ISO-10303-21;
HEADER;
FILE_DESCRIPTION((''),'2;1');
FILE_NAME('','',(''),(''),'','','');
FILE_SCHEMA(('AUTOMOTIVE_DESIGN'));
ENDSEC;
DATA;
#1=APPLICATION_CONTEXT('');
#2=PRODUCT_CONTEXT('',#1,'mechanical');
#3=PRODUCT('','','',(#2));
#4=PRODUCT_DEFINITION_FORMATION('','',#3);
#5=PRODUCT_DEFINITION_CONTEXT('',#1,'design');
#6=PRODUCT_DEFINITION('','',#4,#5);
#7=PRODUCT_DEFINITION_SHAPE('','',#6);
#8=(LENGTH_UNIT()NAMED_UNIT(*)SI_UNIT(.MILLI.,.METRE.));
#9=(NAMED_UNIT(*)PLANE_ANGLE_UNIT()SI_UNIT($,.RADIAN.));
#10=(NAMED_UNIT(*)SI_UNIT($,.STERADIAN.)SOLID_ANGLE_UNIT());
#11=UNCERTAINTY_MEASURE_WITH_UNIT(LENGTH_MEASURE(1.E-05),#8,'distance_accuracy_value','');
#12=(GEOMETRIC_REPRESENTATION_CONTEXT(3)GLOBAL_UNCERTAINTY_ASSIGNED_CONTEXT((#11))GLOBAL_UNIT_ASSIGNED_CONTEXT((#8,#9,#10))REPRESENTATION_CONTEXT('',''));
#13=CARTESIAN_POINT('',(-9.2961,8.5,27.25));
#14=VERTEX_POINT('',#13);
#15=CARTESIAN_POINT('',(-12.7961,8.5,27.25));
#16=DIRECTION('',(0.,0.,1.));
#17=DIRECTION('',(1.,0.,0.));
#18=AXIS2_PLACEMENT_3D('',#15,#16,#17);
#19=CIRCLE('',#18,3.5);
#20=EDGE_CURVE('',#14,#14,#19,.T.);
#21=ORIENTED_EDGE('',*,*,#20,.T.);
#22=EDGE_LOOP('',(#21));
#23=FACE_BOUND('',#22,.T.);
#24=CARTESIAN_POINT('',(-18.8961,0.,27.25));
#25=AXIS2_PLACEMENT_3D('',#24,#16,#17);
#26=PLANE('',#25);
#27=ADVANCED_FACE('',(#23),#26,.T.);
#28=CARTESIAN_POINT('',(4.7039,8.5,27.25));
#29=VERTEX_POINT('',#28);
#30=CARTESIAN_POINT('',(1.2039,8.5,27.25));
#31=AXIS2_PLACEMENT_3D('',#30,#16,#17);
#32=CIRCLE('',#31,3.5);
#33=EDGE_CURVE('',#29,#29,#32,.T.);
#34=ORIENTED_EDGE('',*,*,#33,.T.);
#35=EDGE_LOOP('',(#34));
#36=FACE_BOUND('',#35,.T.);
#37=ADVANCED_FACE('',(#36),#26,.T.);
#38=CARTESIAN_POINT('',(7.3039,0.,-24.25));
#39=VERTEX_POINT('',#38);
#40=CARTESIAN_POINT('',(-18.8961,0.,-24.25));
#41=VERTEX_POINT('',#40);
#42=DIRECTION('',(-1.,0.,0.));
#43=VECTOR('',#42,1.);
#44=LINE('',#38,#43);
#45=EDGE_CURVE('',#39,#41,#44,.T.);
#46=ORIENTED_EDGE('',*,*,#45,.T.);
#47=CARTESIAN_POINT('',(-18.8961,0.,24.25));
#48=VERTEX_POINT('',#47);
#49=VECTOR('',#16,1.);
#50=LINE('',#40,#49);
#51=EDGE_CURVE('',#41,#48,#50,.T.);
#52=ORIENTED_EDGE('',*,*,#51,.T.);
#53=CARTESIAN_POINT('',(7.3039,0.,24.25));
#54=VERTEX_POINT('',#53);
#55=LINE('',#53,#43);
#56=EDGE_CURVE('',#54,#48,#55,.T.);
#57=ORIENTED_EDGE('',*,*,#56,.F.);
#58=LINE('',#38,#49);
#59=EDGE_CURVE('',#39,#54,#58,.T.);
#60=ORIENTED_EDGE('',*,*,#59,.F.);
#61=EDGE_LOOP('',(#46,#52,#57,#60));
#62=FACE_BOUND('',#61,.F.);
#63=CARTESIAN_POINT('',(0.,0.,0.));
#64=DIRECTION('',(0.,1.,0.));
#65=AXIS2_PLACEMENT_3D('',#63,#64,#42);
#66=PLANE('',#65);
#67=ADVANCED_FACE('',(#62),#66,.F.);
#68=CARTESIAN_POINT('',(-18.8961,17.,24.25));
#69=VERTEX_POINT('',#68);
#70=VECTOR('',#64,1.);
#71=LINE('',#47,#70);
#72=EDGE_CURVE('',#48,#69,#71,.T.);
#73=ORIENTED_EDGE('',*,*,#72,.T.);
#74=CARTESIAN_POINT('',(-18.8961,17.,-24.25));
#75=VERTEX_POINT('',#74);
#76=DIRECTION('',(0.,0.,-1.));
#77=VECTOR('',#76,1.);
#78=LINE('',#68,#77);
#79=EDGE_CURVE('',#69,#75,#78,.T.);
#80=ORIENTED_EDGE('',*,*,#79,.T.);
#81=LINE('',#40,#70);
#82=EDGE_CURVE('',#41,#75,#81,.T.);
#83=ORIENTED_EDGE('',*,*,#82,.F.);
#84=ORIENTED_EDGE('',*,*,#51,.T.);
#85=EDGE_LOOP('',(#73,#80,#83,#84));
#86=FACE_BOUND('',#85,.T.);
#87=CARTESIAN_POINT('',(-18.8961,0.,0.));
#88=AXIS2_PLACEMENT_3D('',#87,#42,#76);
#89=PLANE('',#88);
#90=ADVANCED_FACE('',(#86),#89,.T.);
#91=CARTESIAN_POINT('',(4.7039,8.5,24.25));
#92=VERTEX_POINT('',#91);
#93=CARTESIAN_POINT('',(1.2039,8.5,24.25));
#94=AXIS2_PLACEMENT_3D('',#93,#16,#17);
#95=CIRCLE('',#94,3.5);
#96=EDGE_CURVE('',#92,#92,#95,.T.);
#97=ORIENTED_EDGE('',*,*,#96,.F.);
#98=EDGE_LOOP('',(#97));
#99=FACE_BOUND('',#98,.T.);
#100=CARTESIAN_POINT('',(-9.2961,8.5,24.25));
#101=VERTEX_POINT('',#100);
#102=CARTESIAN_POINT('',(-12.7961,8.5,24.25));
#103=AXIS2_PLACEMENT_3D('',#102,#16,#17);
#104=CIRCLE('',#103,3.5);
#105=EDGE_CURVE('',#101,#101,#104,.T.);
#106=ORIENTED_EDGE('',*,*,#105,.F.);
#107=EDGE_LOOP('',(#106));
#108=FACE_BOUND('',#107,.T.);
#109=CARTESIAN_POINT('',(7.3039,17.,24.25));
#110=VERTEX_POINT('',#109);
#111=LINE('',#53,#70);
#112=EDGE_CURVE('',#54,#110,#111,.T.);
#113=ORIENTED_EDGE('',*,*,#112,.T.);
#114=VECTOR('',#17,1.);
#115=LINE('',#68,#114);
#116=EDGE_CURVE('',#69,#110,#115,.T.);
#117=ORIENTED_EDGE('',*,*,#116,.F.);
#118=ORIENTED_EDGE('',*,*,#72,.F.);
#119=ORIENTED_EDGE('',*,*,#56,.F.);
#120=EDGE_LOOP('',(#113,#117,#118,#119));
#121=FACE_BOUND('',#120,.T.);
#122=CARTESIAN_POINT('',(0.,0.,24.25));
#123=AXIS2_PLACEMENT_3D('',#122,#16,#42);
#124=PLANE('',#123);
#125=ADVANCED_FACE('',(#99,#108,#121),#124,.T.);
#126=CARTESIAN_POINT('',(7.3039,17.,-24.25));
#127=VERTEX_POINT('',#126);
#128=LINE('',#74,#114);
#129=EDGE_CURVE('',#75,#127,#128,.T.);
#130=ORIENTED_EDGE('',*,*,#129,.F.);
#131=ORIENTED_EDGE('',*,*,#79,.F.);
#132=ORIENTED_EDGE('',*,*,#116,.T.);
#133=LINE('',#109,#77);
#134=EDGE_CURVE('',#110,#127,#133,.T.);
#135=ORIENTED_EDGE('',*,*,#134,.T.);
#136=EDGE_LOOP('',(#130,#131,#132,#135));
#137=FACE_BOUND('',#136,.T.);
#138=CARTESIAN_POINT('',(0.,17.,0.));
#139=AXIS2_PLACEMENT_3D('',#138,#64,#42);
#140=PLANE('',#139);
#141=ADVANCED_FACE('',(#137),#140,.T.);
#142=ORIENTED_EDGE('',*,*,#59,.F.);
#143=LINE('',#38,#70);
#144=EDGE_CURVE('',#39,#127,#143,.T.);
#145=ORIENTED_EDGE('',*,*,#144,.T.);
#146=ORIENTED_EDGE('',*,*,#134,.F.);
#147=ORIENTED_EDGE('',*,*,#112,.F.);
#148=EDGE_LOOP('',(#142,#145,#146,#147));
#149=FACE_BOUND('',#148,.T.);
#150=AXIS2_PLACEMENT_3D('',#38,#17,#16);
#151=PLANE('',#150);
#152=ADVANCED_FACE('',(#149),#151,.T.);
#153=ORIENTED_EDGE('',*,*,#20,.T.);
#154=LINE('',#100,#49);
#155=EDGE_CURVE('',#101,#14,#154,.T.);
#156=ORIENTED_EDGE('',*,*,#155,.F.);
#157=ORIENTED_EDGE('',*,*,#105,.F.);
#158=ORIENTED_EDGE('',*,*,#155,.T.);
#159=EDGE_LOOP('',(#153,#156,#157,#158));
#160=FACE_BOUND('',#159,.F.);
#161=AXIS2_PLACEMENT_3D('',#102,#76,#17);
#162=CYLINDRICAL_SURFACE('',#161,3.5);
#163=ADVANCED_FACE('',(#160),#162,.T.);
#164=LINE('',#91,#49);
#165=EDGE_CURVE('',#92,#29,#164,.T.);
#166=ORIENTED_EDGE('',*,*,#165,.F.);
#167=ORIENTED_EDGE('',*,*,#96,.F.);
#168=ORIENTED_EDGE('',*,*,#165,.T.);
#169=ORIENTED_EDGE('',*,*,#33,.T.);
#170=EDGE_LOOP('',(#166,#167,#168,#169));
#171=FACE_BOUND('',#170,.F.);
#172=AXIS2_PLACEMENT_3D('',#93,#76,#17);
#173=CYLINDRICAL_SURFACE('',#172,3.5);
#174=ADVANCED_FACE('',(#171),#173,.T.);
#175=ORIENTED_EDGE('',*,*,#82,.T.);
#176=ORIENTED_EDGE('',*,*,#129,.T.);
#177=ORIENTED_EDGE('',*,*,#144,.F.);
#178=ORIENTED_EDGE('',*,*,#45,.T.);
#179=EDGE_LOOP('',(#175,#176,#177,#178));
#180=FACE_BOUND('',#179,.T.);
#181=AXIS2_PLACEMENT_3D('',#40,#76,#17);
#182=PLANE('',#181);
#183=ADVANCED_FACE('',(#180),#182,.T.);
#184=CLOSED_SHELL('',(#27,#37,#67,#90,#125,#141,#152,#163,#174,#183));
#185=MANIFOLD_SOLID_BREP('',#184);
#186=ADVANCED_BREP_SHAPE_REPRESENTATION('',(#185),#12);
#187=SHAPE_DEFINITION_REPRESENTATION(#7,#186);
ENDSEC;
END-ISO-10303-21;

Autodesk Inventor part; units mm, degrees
ref_plane "YZ Plane" through (0, 0, 0) normal (1, 0, 0) x (0, 1, 0)
ref_plane "XZ Plane" through (0, 0, 0) normal (0, 1, 0) x (-1, 0, 0)
ref_plane "XY Plane" through (0, 0, 0) normal (0, 0, 1) x (1, 0, 0)
sketch "Skizze1" plane through (0, 0, 0) normal (0, 1, 0) x (-1, 0, 0)
  line L0 (24.1361, 0) -> (-12.5439, 0) projected
  line L1 (0, -33.95) -> (0, 33.95) projected
  line L2 (-7.3039, 24.25) -> (18.8961, 24.25)
  line L3 (18.8961, 24.25) -> (18.8961, -24.25)
  line L4 (18.8961, -24.25) -> (-7.3039, -24.25)
  line L5 (-7.3039, -24.25) -> (-7.3039, 24.25)
  point P0 (0, 0)
  dimension "d0" = 48.5
  dimension "d1" = 26.2
extrude "Extrusion1" add sketch "Skizze1" along normal blind 17
sketch "Skizze3" plane through (-18.8961, 0, 24.25) normal (0, 0, 1) x (1, 0, 0)
  line L0 (26.2, 0) -> (0, 0) projected
  line L1 (0, 0) -> (0, 17) projected
  line L2 (0, 17) -> (26.2, 17) projected
  line L3 (13.1, 17) -> (13.1, 0)
  circle A0 centre (6.1, 8.5) radius 3.5
  circle A1 centre (20.1, 8.5) radius 3.5
  point P0 (18.8961, 0)
  dimension "d7" = 13.1
  dimension "d8" = 7
  dimension "d9" = 8.5
  dimension "d10" = 7
extrude "Extrusion2" add sketch "Skizze3" along normal blind 3 contours A0 | A1
equation "\"d10\" = usedParameter"
equation "\"usedParameter\" = 7"
equation "\"unusedParameter\" = 42"
properties part number "9VBatterie_2017only" material "Edelstahl"
